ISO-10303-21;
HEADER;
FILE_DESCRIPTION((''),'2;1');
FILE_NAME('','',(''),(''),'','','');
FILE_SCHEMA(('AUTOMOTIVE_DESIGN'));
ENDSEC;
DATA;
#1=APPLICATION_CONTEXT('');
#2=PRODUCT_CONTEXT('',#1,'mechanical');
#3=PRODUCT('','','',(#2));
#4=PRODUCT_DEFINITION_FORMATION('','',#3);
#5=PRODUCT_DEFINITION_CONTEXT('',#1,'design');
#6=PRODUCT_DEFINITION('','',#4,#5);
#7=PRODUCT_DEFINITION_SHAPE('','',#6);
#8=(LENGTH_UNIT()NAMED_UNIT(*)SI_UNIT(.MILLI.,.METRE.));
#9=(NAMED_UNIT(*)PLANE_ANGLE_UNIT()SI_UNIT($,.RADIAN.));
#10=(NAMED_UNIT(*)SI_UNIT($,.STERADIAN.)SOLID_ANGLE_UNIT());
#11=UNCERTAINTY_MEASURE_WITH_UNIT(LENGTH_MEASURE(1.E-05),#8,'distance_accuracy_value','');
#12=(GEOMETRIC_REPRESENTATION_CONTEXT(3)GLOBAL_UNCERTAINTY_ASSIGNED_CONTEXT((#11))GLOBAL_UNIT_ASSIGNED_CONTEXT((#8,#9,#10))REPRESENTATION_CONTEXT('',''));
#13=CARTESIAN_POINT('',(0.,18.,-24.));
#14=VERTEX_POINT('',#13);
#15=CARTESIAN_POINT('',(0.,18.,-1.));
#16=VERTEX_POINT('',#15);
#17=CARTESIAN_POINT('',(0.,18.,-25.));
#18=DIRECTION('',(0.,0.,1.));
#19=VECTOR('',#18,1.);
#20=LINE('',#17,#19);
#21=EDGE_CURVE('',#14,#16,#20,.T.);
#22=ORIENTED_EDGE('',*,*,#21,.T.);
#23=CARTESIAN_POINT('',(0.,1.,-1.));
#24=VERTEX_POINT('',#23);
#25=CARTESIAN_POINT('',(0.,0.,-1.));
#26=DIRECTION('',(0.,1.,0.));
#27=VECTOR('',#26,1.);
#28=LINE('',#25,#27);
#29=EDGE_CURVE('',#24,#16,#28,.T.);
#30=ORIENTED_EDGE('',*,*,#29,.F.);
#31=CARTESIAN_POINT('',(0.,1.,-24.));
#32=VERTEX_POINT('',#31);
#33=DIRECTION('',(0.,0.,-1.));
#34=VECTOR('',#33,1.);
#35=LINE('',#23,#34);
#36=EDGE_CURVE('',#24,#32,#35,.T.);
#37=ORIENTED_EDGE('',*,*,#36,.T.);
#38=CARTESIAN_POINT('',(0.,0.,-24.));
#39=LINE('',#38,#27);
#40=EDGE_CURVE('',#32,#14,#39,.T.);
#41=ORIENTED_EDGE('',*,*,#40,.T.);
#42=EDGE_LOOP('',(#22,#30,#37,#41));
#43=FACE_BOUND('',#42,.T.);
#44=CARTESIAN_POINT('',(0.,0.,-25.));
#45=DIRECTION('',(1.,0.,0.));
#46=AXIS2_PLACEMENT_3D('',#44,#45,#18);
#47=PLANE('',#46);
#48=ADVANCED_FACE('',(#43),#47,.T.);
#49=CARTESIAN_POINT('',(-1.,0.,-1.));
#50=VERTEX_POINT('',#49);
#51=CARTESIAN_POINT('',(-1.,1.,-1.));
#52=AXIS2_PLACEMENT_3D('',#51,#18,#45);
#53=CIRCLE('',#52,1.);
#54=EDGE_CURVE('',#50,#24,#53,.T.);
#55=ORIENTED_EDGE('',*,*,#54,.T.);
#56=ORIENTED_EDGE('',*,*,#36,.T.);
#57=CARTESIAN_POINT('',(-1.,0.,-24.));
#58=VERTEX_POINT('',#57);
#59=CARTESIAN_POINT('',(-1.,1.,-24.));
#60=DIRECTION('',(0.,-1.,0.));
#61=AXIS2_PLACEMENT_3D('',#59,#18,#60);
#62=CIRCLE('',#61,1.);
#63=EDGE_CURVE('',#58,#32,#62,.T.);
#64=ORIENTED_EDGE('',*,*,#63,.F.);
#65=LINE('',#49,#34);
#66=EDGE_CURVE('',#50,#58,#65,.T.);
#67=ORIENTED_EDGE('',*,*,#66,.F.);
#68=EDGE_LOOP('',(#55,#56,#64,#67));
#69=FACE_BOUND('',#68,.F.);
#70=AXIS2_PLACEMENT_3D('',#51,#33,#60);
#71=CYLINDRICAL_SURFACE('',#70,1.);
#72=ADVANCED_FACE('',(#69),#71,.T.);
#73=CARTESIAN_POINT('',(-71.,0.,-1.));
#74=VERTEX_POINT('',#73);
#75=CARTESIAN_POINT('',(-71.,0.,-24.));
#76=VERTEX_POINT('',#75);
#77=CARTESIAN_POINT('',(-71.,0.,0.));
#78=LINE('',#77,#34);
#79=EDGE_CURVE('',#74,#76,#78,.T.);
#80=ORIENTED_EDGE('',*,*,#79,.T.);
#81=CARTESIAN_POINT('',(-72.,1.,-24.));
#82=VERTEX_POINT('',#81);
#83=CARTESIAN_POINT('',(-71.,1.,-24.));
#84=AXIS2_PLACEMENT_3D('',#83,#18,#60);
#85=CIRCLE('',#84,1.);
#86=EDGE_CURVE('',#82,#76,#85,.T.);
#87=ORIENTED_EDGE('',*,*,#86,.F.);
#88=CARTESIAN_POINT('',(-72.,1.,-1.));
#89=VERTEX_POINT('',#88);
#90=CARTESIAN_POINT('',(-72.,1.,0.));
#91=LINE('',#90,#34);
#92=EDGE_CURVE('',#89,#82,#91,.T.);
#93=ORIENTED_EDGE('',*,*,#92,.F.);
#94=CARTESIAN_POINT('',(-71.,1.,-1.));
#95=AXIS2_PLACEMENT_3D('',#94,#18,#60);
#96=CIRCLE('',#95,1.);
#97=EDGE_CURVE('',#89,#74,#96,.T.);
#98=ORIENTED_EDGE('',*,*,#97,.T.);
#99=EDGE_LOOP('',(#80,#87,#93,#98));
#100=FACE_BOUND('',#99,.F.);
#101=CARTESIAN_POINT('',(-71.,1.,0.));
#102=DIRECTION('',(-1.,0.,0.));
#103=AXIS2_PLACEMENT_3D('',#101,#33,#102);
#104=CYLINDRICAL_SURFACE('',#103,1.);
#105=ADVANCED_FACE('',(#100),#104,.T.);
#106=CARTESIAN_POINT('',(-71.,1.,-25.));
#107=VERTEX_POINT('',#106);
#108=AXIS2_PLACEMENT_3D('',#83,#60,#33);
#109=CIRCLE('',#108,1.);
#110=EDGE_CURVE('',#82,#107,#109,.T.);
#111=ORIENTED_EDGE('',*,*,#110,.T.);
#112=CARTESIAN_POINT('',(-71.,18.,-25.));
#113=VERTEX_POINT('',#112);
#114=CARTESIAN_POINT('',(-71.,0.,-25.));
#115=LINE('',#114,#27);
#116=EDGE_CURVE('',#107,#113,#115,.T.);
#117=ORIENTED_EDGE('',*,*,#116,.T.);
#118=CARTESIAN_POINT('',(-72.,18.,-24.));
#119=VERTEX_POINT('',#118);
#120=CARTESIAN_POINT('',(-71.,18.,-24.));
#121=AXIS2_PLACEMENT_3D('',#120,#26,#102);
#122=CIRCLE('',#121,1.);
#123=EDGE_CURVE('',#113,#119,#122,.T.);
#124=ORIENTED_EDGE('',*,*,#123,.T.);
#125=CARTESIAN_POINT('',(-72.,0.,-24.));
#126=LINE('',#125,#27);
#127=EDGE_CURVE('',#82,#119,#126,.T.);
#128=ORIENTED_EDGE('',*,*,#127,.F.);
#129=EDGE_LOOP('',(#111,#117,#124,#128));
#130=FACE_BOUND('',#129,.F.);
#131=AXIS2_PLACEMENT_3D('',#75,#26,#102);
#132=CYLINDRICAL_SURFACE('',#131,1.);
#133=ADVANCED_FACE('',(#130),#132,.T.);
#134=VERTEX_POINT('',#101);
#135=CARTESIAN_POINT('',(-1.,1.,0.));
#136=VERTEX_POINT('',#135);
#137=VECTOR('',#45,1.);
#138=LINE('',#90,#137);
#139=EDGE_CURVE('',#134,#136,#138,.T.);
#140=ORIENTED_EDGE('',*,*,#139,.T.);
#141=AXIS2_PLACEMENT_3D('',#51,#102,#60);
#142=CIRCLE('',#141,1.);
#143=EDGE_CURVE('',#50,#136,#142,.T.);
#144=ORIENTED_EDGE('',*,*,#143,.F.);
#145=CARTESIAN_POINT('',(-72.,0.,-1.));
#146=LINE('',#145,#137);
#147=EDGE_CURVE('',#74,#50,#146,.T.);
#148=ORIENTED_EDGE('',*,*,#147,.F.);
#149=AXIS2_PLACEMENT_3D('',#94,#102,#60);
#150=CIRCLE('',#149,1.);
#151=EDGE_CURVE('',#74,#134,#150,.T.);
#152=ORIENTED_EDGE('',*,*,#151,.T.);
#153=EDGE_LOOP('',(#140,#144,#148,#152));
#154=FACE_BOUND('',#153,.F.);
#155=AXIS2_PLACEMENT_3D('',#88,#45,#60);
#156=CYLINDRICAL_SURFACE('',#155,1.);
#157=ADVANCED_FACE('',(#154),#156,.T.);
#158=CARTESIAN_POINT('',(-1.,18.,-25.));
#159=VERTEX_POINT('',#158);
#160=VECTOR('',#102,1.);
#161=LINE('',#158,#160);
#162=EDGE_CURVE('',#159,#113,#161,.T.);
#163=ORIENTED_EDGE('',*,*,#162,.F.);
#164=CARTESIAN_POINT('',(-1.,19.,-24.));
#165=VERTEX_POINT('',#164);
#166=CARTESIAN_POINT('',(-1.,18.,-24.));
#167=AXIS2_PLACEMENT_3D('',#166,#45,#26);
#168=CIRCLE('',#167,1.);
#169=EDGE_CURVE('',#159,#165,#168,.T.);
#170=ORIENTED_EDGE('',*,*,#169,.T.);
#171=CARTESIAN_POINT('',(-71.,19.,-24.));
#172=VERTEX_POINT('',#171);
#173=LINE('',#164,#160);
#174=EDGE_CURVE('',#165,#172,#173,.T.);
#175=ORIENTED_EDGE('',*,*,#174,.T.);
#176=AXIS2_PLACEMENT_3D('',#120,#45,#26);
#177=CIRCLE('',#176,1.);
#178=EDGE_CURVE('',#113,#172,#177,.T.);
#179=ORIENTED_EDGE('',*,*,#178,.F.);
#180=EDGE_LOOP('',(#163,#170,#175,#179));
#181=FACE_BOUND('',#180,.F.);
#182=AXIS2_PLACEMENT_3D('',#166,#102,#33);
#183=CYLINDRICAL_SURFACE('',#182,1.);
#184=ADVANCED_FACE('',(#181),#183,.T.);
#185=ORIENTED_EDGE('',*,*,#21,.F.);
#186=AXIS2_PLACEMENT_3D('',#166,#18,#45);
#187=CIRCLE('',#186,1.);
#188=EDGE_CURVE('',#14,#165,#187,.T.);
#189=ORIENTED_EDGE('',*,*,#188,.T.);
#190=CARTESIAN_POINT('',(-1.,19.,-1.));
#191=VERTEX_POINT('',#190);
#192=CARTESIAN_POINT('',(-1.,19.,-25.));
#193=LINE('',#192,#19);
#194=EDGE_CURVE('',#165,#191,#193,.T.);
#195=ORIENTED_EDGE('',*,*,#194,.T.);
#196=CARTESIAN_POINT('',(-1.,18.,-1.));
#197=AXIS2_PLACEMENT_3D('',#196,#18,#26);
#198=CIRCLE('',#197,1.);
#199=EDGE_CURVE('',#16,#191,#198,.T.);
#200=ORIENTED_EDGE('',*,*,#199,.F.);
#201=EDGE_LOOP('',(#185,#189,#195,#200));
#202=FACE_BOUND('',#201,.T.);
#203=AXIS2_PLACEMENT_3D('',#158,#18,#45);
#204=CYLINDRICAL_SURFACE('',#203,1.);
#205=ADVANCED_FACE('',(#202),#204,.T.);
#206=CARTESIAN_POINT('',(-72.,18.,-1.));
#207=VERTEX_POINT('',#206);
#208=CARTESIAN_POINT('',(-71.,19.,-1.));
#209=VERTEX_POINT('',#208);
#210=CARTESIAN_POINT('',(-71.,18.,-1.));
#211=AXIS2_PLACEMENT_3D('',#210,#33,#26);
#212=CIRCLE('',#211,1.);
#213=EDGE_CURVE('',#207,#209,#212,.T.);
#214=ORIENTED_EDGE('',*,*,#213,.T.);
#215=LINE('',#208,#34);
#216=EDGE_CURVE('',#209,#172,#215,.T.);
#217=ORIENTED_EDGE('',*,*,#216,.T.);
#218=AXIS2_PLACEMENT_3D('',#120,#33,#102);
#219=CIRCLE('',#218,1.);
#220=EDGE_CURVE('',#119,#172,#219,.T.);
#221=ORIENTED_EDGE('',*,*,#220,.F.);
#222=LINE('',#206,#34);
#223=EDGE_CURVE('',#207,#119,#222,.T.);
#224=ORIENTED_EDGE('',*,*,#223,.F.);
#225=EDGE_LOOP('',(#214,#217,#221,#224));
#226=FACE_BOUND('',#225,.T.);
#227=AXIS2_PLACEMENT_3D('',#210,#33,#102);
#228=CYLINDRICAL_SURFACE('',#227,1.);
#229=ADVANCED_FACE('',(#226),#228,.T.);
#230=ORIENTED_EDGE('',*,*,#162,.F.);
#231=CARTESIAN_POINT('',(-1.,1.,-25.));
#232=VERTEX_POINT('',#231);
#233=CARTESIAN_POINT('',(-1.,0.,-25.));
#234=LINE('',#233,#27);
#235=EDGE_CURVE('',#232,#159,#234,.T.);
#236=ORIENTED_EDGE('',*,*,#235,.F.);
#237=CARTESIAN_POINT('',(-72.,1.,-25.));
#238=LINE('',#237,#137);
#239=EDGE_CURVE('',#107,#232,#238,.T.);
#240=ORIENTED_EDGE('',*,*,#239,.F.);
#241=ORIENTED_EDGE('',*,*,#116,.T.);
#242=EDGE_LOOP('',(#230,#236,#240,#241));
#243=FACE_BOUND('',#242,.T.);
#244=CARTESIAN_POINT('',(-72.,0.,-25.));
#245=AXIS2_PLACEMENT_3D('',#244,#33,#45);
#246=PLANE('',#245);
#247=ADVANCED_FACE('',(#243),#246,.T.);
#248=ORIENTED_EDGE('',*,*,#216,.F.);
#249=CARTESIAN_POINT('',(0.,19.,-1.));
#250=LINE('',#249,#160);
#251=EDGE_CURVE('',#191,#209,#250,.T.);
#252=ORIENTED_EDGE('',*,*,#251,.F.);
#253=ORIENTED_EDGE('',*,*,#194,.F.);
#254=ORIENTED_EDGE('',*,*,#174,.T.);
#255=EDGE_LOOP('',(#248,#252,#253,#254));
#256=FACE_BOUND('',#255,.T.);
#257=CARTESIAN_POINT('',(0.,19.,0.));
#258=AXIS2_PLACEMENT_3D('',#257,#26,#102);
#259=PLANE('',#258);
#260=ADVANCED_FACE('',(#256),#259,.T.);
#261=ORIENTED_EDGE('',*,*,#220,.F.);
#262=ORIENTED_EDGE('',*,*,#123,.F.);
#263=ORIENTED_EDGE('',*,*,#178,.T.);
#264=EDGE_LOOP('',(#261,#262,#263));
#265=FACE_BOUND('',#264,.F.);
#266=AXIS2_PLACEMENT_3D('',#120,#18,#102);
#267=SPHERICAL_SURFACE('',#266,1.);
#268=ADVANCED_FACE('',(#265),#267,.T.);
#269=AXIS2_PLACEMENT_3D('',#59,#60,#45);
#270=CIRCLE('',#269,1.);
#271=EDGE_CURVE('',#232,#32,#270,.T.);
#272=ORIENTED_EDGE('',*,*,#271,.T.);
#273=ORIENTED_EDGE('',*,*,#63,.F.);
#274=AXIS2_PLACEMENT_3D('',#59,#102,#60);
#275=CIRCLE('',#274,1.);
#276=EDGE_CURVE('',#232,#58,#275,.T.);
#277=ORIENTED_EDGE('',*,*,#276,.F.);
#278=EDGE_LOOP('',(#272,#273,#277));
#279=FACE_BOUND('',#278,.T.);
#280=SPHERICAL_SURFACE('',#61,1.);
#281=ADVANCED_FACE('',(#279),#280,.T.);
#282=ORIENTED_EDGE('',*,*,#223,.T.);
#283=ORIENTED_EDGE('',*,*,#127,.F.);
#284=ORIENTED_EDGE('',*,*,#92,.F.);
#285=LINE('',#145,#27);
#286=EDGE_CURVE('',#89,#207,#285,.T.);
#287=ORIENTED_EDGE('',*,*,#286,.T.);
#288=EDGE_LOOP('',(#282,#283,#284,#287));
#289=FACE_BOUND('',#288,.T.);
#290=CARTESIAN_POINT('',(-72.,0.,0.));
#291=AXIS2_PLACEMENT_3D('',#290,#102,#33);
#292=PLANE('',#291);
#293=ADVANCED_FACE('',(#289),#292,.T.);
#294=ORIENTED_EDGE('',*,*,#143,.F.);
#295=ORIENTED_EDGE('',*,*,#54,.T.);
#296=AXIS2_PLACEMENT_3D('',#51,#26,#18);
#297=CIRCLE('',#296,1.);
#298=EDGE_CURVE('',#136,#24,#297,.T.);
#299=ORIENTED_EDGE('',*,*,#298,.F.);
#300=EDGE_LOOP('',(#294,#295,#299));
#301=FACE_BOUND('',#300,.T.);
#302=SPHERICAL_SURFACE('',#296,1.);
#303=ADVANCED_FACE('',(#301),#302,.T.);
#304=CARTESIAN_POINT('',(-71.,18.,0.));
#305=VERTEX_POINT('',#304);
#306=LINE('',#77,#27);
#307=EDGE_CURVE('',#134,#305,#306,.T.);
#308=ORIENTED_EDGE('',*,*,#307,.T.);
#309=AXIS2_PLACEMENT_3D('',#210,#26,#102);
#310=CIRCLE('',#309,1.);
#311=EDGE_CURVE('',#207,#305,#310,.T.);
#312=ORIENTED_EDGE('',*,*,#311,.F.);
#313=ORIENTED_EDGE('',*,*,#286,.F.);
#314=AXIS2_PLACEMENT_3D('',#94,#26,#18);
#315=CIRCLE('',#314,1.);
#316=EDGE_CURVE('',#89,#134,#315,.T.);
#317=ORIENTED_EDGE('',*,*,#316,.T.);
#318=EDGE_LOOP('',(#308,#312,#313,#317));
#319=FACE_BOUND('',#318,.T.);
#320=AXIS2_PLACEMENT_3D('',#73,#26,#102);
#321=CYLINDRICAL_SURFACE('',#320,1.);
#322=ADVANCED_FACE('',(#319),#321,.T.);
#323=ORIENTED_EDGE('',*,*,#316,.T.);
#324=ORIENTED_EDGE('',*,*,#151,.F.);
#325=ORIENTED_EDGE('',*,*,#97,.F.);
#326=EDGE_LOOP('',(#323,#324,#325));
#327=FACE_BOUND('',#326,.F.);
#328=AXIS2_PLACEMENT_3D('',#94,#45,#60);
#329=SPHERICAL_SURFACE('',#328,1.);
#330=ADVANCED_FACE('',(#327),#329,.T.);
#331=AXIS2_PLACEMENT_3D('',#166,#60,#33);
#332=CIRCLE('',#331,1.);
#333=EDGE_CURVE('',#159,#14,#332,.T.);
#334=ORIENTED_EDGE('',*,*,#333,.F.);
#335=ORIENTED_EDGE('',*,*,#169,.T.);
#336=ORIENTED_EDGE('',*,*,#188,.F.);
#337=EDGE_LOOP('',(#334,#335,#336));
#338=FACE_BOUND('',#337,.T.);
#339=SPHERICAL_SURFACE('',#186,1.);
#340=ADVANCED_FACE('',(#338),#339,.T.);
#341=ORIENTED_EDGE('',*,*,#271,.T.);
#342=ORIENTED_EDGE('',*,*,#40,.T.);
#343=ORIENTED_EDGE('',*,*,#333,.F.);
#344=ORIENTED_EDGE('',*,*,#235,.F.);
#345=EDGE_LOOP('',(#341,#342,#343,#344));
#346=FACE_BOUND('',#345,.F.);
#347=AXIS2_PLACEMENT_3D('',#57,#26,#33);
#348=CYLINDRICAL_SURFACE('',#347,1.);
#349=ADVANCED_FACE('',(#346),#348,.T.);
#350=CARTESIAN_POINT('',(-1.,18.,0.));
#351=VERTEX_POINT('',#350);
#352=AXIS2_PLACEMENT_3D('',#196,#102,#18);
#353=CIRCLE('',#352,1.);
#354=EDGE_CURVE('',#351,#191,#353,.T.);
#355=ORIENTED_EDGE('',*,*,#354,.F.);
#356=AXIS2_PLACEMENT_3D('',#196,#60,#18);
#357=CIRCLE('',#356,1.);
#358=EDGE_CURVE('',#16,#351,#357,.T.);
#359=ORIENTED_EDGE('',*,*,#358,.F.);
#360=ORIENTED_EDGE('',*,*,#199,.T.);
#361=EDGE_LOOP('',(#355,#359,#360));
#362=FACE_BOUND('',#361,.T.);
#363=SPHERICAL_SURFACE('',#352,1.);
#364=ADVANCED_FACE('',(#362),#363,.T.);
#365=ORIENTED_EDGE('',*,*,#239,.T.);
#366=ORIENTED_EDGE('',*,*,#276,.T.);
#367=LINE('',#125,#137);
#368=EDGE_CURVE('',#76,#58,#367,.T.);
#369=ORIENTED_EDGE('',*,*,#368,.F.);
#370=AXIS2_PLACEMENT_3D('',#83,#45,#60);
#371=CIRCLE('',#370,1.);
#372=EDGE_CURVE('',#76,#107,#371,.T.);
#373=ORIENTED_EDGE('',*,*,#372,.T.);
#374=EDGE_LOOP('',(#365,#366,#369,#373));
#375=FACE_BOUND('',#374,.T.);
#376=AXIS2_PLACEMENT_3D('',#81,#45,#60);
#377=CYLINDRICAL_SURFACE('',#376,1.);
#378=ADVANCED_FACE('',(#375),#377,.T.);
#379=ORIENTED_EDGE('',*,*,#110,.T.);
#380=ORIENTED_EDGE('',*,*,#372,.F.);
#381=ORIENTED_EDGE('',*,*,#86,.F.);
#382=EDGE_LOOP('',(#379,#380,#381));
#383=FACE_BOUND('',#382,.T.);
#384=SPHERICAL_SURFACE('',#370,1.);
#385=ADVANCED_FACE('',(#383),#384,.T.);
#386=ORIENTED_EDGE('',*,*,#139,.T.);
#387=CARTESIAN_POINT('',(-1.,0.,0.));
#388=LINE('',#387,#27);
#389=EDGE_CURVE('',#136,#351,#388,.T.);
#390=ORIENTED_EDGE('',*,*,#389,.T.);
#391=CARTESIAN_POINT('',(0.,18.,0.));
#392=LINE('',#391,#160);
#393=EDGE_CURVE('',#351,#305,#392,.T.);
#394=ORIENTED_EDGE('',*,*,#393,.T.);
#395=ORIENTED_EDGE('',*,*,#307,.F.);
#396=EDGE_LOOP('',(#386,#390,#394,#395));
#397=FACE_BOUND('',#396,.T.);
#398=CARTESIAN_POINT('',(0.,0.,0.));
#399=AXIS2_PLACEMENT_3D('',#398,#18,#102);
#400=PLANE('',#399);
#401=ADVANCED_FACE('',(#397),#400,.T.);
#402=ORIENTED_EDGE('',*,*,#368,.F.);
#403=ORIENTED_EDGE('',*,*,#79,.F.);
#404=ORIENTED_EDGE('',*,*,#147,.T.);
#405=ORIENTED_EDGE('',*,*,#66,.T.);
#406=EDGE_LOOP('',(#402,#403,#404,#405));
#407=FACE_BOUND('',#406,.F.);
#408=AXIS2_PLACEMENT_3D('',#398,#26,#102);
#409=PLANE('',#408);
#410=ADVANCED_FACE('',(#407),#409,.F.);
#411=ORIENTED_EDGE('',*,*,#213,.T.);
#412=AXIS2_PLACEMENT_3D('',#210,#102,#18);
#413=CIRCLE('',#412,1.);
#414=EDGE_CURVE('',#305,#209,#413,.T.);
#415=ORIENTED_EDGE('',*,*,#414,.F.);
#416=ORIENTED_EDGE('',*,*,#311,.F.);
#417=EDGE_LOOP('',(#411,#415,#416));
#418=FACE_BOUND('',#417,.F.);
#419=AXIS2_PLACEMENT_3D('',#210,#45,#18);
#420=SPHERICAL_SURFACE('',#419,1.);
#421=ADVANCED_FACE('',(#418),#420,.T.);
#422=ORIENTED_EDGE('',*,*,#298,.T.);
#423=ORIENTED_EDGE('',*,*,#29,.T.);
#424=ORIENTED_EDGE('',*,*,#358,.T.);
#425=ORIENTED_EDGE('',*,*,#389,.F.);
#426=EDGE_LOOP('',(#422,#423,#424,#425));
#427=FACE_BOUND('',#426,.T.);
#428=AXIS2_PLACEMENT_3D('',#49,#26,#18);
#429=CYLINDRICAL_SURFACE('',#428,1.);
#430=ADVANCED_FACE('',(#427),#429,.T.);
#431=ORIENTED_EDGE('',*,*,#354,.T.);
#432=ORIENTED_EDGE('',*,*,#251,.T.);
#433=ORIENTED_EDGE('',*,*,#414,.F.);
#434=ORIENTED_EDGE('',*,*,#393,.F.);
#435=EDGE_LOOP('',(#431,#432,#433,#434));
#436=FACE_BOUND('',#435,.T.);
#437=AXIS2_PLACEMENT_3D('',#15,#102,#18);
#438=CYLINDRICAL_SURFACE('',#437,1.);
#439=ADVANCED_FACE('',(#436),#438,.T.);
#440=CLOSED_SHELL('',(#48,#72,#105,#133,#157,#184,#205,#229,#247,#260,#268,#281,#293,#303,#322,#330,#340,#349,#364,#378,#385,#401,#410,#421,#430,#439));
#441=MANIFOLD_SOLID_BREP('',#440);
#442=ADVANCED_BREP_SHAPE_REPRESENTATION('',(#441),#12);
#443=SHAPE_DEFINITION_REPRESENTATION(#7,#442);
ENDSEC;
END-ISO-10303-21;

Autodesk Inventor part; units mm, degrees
ref_plane "YZ Plane" through (0, 0, 0) normal (1, 0, 0) x (0, 1, 0)
ref_plane "XZ Plane" through (0, 0, 0) normal (0, 1, 0) x (-1, 0, 0)
ref_plane "XY Plane" through (0, 0, 0) normal (0, 0, 1) x (1, 0, 0)
sketch "Sketch1" plane through (0, 0, 0) normal (0, 1, 0) x (-1, 0, 0)
  line L0 (0, 0) -> (72, 0)
  line L1 (72, 0) -> (72, -25)
  line L2 (72, -25) -> (0, -25)
  line L3 (0, -25) -> (0, 0)
  dimension "d0" = 72
  dimension "d1" = 25
extrude "Extrusion1" add sketch "Sketch1" along normal blind 19
fillet "Fillet1" radius 1 3 edges at (-36, 19, 0) (0, 9.5, 0) (0, 19, -12.5)
fillet "Fillet2" radius 1 12 edges at (-0.2929, 0, -0.2929) (0, 0, -13) (-36.5, 0, 0) (-36, 0, -25) (-72, 0, -12.5) (-72, 18.7071, -0.2929) (-72, 19, -13) (-72, 9, 0) (-72, 9.5, -25) (-0.2929, 18.7071, -25) (0, 9, -25) (-36.5, 19, -25)
properties part number "Battery[72x25x19]" material "Polypropylene"
